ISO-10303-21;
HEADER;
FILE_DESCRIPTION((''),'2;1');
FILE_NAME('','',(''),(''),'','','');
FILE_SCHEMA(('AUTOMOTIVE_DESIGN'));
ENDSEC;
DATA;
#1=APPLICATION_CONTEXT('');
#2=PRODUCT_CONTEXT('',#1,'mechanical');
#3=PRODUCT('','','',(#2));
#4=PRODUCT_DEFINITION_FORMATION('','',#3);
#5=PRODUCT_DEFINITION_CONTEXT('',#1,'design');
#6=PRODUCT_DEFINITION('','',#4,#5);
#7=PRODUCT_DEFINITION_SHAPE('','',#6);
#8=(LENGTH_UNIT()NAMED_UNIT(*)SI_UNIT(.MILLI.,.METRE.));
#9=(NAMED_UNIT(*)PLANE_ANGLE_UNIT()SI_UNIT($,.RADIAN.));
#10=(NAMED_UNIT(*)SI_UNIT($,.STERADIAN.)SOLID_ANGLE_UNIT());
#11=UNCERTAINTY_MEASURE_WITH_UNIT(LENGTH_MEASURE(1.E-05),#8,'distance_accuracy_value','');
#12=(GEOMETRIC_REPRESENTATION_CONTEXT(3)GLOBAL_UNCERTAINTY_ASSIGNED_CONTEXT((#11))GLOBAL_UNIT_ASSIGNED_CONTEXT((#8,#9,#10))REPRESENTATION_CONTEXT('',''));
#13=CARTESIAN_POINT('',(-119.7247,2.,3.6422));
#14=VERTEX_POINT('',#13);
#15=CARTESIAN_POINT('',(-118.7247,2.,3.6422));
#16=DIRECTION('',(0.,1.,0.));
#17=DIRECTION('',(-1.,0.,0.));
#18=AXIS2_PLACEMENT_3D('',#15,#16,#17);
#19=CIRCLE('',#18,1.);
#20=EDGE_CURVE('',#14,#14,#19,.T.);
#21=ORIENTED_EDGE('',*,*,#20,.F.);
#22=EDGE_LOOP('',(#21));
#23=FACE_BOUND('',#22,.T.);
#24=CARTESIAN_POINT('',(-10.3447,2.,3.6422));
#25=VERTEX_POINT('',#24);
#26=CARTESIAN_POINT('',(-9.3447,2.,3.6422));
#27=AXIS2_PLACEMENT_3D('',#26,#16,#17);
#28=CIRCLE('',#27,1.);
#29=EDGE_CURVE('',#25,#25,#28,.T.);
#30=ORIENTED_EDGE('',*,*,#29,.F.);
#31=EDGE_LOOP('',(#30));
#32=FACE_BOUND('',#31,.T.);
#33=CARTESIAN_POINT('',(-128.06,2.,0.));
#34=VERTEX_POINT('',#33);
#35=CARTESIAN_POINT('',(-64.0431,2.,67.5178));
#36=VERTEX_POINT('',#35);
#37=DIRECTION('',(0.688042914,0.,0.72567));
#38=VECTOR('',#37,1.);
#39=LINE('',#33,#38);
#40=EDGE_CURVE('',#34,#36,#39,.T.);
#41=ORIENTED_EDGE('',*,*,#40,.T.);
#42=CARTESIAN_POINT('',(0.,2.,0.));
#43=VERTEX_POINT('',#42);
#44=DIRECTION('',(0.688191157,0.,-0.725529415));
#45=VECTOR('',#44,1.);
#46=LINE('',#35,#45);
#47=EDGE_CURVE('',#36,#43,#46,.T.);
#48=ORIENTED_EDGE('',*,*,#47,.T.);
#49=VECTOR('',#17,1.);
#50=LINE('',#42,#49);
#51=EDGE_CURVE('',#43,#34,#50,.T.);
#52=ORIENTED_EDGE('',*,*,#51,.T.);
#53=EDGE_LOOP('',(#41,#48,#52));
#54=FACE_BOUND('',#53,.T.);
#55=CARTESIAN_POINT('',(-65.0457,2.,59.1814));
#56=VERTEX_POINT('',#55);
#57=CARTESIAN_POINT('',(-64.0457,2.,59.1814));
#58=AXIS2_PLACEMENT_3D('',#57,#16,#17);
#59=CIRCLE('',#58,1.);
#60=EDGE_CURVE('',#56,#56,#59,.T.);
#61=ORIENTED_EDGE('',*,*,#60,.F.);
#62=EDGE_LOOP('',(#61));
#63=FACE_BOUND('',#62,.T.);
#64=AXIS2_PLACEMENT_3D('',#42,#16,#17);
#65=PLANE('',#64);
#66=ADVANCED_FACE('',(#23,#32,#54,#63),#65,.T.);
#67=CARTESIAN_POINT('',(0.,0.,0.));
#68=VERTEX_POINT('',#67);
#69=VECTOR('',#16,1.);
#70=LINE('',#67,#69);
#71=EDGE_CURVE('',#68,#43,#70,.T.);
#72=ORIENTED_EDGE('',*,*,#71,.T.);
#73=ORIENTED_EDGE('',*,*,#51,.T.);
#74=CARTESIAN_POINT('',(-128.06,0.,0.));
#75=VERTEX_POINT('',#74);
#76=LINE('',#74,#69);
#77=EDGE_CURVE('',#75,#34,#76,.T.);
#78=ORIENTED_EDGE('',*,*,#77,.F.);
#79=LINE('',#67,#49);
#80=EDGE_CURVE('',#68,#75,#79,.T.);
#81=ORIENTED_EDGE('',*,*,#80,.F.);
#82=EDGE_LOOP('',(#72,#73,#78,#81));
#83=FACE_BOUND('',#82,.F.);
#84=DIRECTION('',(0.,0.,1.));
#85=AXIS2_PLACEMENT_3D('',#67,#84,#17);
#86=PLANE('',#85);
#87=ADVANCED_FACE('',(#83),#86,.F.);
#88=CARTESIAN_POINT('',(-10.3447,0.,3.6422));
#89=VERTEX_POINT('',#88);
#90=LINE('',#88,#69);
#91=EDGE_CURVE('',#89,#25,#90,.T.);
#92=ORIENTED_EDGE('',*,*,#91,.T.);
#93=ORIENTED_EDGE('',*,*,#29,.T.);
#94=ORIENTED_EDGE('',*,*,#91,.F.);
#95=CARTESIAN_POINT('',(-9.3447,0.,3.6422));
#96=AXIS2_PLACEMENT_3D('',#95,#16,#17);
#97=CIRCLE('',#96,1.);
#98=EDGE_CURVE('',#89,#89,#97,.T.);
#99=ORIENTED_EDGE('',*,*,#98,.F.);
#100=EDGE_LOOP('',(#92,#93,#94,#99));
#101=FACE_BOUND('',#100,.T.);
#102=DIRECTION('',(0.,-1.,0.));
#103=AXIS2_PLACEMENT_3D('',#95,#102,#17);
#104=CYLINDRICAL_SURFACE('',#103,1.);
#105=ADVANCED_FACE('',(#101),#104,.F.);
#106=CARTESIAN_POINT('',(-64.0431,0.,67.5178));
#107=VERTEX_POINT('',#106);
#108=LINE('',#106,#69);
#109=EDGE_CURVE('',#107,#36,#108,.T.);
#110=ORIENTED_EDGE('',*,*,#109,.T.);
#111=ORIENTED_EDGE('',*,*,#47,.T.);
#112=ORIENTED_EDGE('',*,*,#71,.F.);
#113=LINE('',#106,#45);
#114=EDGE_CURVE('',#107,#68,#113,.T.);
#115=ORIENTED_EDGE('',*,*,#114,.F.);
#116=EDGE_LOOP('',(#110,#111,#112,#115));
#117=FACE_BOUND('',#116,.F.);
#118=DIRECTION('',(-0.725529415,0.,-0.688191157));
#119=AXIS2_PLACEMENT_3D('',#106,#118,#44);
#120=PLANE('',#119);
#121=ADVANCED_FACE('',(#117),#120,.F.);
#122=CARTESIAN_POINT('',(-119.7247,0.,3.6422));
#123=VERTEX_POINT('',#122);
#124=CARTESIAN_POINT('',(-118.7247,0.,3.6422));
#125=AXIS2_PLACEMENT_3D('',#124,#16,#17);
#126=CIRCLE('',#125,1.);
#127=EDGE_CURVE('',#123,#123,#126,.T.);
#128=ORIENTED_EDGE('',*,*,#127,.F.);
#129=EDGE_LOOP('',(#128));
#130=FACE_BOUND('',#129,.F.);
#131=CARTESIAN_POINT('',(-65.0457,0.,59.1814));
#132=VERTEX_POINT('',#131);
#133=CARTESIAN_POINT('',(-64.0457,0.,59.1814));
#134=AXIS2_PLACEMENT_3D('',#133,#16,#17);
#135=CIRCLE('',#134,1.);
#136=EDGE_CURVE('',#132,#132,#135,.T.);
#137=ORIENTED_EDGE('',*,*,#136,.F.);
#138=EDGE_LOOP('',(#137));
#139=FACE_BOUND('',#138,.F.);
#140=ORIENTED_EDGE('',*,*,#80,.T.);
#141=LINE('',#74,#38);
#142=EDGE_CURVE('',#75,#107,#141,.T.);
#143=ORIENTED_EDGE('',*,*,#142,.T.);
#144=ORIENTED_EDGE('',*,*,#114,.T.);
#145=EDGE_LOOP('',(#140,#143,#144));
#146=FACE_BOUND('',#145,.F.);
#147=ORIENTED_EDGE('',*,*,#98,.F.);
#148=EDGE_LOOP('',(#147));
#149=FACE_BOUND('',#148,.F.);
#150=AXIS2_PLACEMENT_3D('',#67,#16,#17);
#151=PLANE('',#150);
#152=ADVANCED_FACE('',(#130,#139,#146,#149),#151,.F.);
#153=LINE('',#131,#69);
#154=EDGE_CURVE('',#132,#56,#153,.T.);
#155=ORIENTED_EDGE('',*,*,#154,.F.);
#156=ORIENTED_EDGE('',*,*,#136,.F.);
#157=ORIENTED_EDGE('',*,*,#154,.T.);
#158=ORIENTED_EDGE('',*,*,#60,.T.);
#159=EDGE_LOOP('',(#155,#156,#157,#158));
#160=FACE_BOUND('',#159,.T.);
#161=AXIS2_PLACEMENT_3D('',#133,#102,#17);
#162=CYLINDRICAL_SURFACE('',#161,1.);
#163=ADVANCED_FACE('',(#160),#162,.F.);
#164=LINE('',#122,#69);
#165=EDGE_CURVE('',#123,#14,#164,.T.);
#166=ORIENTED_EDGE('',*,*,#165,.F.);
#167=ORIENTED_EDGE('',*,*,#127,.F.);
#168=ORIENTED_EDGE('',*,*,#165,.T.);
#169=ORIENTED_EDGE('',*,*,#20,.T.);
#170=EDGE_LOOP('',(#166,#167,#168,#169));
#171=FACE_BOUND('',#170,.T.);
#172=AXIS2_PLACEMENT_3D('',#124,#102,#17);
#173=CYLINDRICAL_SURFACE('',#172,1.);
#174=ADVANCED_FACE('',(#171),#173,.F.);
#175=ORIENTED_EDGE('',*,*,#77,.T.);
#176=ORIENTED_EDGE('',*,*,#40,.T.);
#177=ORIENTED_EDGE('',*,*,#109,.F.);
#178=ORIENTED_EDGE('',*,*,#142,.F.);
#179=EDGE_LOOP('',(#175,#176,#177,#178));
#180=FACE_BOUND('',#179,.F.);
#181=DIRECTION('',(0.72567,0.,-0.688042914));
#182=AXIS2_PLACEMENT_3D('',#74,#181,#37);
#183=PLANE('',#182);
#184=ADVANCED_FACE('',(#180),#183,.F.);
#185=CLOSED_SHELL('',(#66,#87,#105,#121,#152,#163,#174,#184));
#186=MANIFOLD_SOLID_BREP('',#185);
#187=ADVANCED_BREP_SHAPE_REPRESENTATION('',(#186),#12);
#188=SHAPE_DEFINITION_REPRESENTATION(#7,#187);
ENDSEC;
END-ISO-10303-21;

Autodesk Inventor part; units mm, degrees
ref_plane "YZ Plane" through (0, 0, 0) normal (1, 0, 0) x (0, 1, 0)
ref_plane "XZ Plane" through (0, 0, 0) normal (0, 1, 0) x (-1, 0, 0)
ref_plane "XY Plane" through (0, 0, 0) normal (0, 0, 1) x (1, 0, 0)
sketch "Sketch1" plane through (0, 0, 0) normal (0, 1, 0) x (-1, 0, 0)
  circle A0 centre (64.0457, 59.1814) radius 1
  circle A1 centre (9.3447, 3.6422) radius 1
  circle A2 centre (118.7247, 3.6422) radius 1
  line L0 (0, 0) -> (128.06, 0)
  line L1 (128.06, 0) -> (64.0431, 67.5178)
  line L2 (64.0431, 67.5178) -> (0, 0)
extrude "Extrusion1" add sketch "Sketch1" along normal blind 2
properties part number "aab_pcb"
